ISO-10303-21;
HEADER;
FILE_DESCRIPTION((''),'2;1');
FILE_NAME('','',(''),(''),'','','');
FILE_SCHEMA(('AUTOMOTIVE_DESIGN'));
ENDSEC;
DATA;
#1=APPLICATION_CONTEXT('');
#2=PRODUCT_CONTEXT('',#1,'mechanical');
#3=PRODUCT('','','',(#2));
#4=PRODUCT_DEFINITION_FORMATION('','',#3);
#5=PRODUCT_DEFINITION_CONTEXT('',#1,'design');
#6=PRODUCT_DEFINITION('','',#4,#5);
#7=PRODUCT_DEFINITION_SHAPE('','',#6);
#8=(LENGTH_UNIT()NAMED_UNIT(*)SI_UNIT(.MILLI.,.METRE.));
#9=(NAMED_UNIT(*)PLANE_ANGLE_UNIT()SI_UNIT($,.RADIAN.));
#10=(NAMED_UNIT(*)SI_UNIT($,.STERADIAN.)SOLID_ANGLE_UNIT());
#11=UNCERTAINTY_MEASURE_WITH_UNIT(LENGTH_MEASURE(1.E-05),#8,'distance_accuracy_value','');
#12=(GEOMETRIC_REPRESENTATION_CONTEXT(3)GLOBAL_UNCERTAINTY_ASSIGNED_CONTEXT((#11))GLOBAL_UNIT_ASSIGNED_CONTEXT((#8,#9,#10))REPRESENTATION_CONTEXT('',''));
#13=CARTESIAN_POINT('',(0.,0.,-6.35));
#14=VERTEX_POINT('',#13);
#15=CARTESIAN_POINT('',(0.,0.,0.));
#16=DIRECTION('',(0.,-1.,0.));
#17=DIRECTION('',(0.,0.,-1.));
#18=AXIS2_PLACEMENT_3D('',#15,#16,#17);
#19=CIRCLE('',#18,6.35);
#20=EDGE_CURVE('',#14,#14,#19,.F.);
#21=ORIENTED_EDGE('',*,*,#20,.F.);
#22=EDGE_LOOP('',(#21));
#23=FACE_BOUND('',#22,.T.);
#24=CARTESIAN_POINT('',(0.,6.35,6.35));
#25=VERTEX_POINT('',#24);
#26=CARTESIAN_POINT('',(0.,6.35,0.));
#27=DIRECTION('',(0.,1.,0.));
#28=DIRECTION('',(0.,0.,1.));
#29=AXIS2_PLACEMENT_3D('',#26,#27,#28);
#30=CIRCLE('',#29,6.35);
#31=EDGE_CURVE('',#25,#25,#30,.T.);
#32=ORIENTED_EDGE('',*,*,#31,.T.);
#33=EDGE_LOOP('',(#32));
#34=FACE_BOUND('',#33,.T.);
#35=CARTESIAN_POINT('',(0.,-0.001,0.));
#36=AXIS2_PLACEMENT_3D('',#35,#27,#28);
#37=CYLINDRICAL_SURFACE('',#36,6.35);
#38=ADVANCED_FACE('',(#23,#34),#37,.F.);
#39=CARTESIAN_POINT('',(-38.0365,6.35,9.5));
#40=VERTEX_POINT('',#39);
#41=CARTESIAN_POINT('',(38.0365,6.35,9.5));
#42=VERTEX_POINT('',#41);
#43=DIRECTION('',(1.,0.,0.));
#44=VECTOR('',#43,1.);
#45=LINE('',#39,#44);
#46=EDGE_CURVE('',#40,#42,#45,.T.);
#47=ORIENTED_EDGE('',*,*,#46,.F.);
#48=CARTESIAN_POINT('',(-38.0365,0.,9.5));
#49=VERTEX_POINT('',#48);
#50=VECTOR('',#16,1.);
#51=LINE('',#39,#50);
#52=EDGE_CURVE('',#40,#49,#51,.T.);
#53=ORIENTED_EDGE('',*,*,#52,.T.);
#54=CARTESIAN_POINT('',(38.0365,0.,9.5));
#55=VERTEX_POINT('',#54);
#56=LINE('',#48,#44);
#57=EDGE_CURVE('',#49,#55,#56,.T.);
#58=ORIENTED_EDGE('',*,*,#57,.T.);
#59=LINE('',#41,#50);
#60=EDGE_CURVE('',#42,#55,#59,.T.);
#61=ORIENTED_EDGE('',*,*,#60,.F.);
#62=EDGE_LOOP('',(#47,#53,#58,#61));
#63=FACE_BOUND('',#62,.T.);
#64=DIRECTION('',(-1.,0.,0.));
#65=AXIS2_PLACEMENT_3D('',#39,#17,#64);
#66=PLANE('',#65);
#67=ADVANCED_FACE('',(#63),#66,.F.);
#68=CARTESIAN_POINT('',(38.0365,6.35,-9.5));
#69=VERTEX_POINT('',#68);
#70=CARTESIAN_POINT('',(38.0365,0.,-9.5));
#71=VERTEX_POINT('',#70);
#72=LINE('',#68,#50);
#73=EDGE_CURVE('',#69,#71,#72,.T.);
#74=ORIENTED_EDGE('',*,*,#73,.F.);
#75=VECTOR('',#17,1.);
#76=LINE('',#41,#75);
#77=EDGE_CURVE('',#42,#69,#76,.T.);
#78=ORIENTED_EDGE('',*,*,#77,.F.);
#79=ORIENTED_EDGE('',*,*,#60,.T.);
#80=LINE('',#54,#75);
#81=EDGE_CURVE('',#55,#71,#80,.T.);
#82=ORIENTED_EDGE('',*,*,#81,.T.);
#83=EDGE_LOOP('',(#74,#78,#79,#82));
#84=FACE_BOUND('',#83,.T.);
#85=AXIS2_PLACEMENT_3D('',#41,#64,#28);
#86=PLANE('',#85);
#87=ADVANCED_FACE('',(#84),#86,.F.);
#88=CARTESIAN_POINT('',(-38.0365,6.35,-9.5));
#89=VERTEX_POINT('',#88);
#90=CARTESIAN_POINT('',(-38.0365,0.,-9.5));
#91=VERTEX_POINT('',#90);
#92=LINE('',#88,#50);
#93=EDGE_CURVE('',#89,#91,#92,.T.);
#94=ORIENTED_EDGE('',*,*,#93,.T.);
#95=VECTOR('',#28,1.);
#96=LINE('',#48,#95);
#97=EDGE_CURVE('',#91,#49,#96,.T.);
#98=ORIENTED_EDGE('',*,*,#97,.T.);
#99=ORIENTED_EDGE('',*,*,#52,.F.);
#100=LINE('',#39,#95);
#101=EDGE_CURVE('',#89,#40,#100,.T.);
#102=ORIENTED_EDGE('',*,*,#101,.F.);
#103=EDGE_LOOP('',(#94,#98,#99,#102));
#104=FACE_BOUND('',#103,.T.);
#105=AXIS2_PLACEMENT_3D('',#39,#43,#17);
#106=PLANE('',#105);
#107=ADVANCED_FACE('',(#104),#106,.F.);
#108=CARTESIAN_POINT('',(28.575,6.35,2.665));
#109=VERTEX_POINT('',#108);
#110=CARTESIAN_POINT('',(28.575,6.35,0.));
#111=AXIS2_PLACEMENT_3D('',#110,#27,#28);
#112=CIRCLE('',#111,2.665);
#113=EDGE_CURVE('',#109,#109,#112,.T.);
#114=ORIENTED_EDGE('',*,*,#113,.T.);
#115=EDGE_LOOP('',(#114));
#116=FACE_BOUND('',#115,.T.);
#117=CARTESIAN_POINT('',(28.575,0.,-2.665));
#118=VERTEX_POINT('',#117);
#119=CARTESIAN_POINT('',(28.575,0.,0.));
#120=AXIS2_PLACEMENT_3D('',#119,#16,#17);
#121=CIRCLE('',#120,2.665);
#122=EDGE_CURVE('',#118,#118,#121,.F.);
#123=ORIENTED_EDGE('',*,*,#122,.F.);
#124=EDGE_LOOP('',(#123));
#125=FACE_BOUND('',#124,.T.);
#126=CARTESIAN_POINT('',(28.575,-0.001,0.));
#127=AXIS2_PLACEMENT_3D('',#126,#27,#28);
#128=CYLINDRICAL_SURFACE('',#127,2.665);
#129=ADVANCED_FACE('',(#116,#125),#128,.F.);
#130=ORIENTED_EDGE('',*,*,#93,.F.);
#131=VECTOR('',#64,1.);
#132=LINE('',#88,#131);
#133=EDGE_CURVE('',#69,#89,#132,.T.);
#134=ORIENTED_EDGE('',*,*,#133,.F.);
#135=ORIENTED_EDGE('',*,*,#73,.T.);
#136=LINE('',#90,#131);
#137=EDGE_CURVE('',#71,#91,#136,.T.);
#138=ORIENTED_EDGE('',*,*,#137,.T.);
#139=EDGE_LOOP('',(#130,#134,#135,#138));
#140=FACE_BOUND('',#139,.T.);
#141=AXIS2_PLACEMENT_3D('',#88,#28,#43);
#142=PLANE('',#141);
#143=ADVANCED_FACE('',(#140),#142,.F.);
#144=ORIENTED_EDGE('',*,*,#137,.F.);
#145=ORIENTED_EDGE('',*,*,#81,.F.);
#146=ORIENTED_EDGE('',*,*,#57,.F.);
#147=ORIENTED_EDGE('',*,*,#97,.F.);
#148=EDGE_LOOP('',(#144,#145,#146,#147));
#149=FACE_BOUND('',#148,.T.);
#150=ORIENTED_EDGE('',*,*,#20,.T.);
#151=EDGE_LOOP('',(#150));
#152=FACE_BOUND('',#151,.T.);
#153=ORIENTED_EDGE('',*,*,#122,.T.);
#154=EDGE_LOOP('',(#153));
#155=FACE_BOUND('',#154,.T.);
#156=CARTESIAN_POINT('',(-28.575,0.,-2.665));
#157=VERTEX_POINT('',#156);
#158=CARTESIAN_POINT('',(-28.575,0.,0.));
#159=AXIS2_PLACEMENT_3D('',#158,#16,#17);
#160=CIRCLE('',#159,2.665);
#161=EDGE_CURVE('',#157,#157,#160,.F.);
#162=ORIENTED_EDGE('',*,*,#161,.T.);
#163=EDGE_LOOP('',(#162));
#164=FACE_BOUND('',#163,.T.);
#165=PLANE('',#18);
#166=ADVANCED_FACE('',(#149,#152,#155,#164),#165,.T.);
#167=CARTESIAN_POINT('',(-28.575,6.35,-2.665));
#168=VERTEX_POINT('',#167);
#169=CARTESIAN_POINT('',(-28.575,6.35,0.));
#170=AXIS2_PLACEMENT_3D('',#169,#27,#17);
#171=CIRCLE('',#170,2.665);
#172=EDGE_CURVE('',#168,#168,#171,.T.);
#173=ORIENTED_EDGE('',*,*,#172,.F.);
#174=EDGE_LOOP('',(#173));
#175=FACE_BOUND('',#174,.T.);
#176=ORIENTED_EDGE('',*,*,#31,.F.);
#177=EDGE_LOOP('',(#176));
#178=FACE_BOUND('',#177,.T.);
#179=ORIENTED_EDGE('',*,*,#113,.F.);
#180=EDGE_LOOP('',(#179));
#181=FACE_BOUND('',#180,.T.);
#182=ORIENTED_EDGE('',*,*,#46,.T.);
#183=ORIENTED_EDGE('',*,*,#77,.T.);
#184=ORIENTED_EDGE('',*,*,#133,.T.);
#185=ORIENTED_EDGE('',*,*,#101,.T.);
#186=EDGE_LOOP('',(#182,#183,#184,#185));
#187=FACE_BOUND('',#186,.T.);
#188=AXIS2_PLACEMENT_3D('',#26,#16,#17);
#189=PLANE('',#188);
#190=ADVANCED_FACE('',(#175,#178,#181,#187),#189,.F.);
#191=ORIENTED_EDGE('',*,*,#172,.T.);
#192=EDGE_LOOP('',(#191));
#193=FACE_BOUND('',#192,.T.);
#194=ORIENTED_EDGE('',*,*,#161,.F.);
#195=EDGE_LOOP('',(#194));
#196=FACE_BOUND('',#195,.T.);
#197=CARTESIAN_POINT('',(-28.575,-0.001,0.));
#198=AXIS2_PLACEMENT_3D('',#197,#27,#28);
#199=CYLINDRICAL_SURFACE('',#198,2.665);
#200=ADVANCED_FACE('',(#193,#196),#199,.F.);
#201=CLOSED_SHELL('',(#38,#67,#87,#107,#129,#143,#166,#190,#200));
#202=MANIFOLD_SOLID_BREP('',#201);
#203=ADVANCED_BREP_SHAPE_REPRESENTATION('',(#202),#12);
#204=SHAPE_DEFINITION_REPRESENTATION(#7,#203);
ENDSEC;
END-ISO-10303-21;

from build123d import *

# Parameters (mm, degrees)
SKETCH1_W           = 76.073
SKETCH1_H           = 19
BOSS_EXTRUDE1_DEPTH = 6.35
CUT_EXTRUDE2_REACH  = 41.716
SKETCH2_R           = 6.35
CUT_EXTRUDE3_REACH  = 41.716
SKETCH4_R           = 2.665


with BuildPart() as part:
    # Sketch1 → Boss-Extrude1 (new body)
    with BuildSketch(Plane(origin=(0, 0, 0), x_dir=(1, 0, 0), z_dir=(0, 1, 0))):
        Rectangle(SKETCH1_W, SKETCH1_H)
    extrude(amount=BOSS_EXTRUDE1_DEPTH)

    # Sketch2 → Cut-Extrude2 (cut, up to next)
    with BuildSketch(Plane(origin=(0, 6.35, 0), x_dir=(1, 0, 0), z_dir=(0, 1, 0)), mode=Mode.PRIVATE) as cut_extrude2_sk1:
        with Locations(Location((0, 0, 0), (0, 0, 270))):
            Circle(SKETCH2_R)
    cut_extrude2_tool1 = extrude(cut_extrude2_sk1.sketch, amount=-CUT_EXTRUDE2_REACH, mode=Mode.PRIVATE) & part.part
    add(cut_extrude2_tool1.solids().sort_by_distance((0, 6.35, 0))[0], mode=Mode.SUBTRACT)

    # Sketch4 → Cut-Extrude3 (cut, up to next)
    with BuildSketch(Plane(origin=(0, 6.35, 0), x_dir=(1, 0, 0), z_dir=(0, 1, 0)), mode=Mode.PRIVATE) as cut_extrude3_sk1:
        with Locations(Location((28.575, 0, 0), (0, 0, 270))):
            Circle(SKETCH4_R)
    cut_extrude3_tool1 = extrude(cut_extrude3_sk1.sketch, amount=-CUT_EXTRUDE3_REACH, mode=Mode.PRIVATE) & part.part
    # Sketch4 → Cut-Extrude3 (cut, up to next)
    with BuildSketch(Plane(origin=(0, 6.35, 0), x_dir=(1, 0, 0), z_dir=(0, 1, 0)), mode=Mode.PRIVATE) as cut_extrude3_sk2:
        with Locations(Location((-28.575, 0, 0), (0, 0, 90))):
            Circle(SKETCH4_R)
    cut_extrude3_tool2 = extrude(cut_extrude3_sk2.sketch, amount=-CUT_EXTRUDE3_REACH, mode=Mode.PRIVATE) & part.part
    add(cut_extrude3_tool1.solids().sort_by_distance((28.575, 6.35, 0))[0], mode=Mode.SUBTRACT)
    add(cut_extrude3_tool2.solids().sort_by_distance((-28.575, 6.35, 0))[0], mode=Mode.SUBTRACT)


solid = part.part
